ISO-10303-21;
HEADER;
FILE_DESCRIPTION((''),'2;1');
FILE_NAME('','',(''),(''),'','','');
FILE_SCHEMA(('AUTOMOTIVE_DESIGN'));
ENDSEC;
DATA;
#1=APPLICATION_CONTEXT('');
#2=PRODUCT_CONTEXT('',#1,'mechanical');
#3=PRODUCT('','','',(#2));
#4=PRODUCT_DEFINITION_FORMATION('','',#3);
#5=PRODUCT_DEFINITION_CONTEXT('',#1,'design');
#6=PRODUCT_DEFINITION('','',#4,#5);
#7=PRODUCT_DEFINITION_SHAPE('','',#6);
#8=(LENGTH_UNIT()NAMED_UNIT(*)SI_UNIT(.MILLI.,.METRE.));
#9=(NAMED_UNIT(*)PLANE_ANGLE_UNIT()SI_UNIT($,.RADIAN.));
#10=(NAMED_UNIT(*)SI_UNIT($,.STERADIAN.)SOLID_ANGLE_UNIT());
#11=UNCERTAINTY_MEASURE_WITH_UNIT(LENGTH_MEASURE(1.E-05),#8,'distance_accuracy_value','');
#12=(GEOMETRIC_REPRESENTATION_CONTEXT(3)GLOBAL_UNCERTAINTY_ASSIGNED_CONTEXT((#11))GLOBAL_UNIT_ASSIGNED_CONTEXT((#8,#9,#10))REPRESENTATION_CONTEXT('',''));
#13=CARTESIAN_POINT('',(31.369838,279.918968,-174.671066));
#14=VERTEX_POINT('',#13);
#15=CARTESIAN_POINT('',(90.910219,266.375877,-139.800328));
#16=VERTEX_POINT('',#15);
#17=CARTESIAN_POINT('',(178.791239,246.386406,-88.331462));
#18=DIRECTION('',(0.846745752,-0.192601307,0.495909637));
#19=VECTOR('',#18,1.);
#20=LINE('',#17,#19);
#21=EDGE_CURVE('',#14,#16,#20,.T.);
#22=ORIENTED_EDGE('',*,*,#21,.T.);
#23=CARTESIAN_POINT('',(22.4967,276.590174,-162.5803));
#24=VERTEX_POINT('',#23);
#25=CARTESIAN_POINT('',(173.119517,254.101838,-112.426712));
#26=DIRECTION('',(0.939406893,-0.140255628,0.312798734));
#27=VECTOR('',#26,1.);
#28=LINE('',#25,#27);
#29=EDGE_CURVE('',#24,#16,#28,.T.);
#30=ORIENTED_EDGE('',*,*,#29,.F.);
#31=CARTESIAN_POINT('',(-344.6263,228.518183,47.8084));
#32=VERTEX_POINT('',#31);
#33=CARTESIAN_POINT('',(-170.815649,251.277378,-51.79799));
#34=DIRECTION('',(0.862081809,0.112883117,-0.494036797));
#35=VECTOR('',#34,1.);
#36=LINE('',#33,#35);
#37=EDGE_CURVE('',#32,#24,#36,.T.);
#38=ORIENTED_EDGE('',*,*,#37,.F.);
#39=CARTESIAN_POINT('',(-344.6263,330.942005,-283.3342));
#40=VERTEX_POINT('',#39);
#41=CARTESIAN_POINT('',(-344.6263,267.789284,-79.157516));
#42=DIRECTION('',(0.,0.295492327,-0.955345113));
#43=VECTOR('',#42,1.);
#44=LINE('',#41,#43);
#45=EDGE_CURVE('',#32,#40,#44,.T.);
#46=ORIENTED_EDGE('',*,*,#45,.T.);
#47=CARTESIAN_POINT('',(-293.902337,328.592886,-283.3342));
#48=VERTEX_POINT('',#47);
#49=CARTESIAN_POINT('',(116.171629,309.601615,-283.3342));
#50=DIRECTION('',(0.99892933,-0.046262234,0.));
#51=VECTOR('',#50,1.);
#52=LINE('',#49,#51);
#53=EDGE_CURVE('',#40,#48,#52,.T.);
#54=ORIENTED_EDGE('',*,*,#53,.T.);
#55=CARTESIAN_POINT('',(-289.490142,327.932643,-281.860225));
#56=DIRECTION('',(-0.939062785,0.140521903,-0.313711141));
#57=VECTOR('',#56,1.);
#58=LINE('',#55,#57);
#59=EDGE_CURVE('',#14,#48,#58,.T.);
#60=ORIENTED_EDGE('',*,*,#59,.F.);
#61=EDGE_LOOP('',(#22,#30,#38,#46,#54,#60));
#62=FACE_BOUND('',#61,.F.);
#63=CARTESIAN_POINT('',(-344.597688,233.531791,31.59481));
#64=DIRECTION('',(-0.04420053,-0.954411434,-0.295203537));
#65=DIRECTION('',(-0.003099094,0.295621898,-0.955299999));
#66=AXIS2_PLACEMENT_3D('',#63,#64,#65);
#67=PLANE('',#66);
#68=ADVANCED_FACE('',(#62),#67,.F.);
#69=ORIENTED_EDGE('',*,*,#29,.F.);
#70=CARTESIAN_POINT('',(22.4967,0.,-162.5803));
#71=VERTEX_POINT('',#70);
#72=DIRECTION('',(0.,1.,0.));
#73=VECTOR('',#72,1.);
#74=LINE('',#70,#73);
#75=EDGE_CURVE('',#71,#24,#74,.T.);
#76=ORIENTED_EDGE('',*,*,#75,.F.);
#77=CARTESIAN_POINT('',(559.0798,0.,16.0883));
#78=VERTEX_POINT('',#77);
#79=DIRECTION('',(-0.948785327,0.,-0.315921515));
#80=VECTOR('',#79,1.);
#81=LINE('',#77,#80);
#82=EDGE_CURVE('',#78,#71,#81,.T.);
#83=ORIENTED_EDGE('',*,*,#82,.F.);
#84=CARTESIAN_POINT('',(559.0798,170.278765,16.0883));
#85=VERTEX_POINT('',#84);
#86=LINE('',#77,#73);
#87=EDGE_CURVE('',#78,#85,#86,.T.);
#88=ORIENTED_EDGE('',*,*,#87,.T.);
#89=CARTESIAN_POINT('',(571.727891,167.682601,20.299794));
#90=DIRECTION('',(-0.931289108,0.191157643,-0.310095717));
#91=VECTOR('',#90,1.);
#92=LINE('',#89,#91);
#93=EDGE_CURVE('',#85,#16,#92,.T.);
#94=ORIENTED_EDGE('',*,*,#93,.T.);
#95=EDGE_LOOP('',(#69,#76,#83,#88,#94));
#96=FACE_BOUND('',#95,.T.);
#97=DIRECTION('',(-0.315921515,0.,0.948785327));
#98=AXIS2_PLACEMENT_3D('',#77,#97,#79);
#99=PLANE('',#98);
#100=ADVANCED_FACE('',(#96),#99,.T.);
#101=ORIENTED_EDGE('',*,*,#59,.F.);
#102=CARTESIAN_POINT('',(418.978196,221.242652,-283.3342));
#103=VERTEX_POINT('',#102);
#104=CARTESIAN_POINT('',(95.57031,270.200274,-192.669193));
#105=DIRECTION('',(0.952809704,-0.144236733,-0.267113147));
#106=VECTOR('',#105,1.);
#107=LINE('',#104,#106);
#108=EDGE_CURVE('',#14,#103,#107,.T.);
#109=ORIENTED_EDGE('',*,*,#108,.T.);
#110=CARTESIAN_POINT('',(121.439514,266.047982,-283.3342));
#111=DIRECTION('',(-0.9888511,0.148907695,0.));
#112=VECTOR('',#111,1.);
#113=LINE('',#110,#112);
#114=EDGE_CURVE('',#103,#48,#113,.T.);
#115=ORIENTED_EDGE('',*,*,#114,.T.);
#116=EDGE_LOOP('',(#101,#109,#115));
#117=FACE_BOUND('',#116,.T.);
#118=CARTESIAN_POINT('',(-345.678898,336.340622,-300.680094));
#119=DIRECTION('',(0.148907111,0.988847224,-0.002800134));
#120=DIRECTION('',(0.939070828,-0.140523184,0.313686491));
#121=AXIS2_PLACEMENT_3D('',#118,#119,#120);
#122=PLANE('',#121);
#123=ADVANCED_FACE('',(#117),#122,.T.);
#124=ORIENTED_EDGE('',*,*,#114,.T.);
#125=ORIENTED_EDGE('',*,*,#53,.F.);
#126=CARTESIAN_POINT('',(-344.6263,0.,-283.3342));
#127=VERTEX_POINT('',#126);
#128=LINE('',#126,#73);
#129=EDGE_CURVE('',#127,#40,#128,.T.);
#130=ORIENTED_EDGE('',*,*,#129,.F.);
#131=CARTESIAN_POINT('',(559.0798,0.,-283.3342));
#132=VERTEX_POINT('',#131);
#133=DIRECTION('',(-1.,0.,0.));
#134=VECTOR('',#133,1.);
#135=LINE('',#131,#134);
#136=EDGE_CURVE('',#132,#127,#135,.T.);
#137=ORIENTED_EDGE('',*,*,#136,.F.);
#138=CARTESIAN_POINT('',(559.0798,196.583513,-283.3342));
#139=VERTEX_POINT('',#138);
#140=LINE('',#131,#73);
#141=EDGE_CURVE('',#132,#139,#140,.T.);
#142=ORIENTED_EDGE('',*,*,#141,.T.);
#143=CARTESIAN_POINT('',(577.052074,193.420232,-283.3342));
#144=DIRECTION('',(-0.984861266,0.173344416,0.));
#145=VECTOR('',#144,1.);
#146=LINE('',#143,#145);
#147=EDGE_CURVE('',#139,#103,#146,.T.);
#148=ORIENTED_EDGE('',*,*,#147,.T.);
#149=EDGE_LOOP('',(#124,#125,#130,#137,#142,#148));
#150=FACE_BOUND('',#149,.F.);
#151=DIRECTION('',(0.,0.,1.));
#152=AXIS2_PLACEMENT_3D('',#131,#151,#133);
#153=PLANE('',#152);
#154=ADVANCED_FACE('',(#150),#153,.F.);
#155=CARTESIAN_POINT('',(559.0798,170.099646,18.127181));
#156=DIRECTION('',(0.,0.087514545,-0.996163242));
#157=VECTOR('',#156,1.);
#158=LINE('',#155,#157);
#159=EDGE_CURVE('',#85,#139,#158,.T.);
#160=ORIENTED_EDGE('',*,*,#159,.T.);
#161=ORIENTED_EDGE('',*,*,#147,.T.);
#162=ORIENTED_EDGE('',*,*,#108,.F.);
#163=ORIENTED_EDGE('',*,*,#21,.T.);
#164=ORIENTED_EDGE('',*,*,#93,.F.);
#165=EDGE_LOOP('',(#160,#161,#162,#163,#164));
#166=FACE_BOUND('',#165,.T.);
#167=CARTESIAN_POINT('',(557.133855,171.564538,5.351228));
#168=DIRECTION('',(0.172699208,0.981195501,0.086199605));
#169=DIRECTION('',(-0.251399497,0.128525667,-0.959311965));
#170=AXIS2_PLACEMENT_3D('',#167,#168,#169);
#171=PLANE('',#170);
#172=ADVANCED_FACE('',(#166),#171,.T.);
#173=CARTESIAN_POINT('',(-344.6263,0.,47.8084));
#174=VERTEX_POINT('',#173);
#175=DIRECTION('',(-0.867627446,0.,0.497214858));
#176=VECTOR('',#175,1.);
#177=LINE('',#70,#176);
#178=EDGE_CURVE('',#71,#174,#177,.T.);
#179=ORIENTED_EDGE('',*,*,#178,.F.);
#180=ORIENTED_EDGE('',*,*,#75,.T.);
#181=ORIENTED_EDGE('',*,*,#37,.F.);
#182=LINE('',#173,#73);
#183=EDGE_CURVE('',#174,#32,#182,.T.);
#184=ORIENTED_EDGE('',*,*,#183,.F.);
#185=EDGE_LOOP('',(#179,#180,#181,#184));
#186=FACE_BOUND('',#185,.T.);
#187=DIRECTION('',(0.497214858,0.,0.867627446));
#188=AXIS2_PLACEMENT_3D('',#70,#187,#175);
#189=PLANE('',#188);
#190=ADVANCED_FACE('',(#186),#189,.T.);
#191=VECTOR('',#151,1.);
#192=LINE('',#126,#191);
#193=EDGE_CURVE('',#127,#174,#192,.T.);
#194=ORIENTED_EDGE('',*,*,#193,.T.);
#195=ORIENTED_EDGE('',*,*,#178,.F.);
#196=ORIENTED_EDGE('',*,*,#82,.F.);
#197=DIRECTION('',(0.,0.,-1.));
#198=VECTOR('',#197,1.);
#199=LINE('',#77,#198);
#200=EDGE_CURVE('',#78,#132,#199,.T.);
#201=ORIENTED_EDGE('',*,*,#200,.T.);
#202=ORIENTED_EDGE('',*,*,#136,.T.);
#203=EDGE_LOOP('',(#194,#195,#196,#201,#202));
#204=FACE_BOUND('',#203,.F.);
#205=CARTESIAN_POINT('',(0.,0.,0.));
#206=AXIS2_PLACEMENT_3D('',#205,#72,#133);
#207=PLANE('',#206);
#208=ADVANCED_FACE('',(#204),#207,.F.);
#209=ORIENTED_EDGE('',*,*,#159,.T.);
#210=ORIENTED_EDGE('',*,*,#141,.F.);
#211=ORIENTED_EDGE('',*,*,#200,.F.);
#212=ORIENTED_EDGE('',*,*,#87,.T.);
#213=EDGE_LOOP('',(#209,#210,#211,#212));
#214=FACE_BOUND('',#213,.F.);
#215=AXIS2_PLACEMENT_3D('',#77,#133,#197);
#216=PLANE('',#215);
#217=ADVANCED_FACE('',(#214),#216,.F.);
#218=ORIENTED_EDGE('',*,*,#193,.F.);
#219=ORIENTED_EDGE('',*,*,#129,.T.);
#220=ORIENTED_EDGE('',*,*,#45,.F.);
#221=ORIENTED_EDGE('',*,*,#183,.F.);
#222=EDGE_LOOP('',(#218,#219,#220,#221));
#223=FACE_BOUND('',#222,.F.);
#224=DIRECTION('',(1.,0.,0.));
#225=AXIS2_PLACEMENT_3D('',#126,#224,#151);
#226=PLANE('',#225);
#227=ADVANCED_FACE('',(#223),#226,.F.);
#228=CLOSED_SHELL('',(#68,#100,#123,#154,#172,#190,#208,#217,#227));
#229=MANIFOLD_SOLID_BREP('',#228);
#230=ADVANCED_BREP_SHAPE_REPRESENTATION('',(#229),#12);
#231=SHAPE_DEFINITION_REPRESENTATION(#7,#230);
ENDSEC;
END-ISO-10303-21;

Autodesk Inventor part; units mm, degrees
ref_plane "YZ Plane" through (0, 0, 0) normal (1, 0, 0) x (0, 1, 0)
ref_plane "XZ Plane" through (0, 0, 0) normal (0, 1, 0) x (-1, 0, 0)
ref_plane "XY Plane" through (0, 0, 0) normal (0, 0, 1) x (1, 0, 0)
sketch "スケッチ5" plane through (0, 0, 0) normal (0, 1, 0) x (-1, 0, 0)
  line L0 (-559.0798, 16.0883) -> (-559.0798, -283.3342)
  line L1 (-559.0798, -283.3342) -> (344.6263, -283.3342)
  line L2 (344.6263, -283.3342) -> (344.6263, 47.8084)
  line L3 (-559.0798, 16.0883) -> (-22.4967, -162.5803)
  line L4 (-22.4967, -162.5803) -> (344.6263, 47.8084)
  point P0 (0, 0)
extrude "押し出し5" add sketch "スケッチ5" along normal blind 360
sketch3d "3D スケッチ1"
ref_plane "作業平面1" through (557.1342, 171.5665, 5.3514) normal (0.1727, 0.9812, 0.0862) x (-0.2514, 0.1285, -0.9593)
ref_plane "作業平面4" through (-344.5976, 233.5337, 31.5954) normal (-0.0442, -0.9544, -0.2952) x (-0.0031, 0.2956, -0.9553)
ref_plane "作業平面5" through (-345.6786, 336.3426, -300.6801) normal (0.1489, 0.9888, -0.0028) x (0.9391, -0.1406, 0.3137)
sketch "スケッチ6" plane through (557.1342, 171.5665, 5.3514) normal (0.1727, 0.9812, 0.0862) x (-0.2514, 0.1285, -0.9593)
  line L0 (-514.7241, -766.6326) -> (967.6123, -766.6326)
  line L1 (967.6123, -766.6326) -> (967.6123, 1684.2947)
  line L2 (967.6123, 1684.2947) -> (-514.7241, 1684.2947)
  line L3 (-514.7241, 1684.2947) -> (-514.7241, -766.6326)
  point P0 (123.1359, 504.4343)
sketch "スケッチ7" plane through (-345.6786, 336.3426, -300.6801) normal (0.1489, 0.9888, -0.0028) x (0.9391, -0.1406, 0.3137)
  line L0 (2221.5026, -667.2238) -> (-1676.0607, -667.2238)
  line L1 (-1676.0607, -667.2238) -> (-1676.0607, 746.6169)
  line L2 (-1676.0607, 746.6169) -> (2221.5026, 746.6169)
  line L3 (2221.5026, 746.6169) -> (2221.5026, -667.2238)
  point P0 (466.2154, -161.8023)
sketch "スケッチ8" plane through (-344.5976, 233.5337, 31.5954) normal (-0.0442, -0.9544, -0.2952) x (-0.0031, 0.2956, -0.9553)
  line L0 (-1292.5456, 2575.2008) -> (1231.0674, 2575.2008)
  line L1 (1231.0674, 2575.2008) -> (1231.0674, -1866.358)
  line L2 (1231.0674, -1866.358) -> (-1292.5456, -1866.358)
  line L3 (-1292.5456, -1866.358) -> (-1292.5456, 2575.2008)
  point P0 (-39.9159, 354.4214)
extrude "押し出し6" cut sketch "スケッチ7" along normal blind 360
extrude "押し出し7" cut sketch "スケッチ8" against normal blind 360
extrude "押し出し8" cut sketch "スケッチ6" along normal blind 360
properties part number "wall"
